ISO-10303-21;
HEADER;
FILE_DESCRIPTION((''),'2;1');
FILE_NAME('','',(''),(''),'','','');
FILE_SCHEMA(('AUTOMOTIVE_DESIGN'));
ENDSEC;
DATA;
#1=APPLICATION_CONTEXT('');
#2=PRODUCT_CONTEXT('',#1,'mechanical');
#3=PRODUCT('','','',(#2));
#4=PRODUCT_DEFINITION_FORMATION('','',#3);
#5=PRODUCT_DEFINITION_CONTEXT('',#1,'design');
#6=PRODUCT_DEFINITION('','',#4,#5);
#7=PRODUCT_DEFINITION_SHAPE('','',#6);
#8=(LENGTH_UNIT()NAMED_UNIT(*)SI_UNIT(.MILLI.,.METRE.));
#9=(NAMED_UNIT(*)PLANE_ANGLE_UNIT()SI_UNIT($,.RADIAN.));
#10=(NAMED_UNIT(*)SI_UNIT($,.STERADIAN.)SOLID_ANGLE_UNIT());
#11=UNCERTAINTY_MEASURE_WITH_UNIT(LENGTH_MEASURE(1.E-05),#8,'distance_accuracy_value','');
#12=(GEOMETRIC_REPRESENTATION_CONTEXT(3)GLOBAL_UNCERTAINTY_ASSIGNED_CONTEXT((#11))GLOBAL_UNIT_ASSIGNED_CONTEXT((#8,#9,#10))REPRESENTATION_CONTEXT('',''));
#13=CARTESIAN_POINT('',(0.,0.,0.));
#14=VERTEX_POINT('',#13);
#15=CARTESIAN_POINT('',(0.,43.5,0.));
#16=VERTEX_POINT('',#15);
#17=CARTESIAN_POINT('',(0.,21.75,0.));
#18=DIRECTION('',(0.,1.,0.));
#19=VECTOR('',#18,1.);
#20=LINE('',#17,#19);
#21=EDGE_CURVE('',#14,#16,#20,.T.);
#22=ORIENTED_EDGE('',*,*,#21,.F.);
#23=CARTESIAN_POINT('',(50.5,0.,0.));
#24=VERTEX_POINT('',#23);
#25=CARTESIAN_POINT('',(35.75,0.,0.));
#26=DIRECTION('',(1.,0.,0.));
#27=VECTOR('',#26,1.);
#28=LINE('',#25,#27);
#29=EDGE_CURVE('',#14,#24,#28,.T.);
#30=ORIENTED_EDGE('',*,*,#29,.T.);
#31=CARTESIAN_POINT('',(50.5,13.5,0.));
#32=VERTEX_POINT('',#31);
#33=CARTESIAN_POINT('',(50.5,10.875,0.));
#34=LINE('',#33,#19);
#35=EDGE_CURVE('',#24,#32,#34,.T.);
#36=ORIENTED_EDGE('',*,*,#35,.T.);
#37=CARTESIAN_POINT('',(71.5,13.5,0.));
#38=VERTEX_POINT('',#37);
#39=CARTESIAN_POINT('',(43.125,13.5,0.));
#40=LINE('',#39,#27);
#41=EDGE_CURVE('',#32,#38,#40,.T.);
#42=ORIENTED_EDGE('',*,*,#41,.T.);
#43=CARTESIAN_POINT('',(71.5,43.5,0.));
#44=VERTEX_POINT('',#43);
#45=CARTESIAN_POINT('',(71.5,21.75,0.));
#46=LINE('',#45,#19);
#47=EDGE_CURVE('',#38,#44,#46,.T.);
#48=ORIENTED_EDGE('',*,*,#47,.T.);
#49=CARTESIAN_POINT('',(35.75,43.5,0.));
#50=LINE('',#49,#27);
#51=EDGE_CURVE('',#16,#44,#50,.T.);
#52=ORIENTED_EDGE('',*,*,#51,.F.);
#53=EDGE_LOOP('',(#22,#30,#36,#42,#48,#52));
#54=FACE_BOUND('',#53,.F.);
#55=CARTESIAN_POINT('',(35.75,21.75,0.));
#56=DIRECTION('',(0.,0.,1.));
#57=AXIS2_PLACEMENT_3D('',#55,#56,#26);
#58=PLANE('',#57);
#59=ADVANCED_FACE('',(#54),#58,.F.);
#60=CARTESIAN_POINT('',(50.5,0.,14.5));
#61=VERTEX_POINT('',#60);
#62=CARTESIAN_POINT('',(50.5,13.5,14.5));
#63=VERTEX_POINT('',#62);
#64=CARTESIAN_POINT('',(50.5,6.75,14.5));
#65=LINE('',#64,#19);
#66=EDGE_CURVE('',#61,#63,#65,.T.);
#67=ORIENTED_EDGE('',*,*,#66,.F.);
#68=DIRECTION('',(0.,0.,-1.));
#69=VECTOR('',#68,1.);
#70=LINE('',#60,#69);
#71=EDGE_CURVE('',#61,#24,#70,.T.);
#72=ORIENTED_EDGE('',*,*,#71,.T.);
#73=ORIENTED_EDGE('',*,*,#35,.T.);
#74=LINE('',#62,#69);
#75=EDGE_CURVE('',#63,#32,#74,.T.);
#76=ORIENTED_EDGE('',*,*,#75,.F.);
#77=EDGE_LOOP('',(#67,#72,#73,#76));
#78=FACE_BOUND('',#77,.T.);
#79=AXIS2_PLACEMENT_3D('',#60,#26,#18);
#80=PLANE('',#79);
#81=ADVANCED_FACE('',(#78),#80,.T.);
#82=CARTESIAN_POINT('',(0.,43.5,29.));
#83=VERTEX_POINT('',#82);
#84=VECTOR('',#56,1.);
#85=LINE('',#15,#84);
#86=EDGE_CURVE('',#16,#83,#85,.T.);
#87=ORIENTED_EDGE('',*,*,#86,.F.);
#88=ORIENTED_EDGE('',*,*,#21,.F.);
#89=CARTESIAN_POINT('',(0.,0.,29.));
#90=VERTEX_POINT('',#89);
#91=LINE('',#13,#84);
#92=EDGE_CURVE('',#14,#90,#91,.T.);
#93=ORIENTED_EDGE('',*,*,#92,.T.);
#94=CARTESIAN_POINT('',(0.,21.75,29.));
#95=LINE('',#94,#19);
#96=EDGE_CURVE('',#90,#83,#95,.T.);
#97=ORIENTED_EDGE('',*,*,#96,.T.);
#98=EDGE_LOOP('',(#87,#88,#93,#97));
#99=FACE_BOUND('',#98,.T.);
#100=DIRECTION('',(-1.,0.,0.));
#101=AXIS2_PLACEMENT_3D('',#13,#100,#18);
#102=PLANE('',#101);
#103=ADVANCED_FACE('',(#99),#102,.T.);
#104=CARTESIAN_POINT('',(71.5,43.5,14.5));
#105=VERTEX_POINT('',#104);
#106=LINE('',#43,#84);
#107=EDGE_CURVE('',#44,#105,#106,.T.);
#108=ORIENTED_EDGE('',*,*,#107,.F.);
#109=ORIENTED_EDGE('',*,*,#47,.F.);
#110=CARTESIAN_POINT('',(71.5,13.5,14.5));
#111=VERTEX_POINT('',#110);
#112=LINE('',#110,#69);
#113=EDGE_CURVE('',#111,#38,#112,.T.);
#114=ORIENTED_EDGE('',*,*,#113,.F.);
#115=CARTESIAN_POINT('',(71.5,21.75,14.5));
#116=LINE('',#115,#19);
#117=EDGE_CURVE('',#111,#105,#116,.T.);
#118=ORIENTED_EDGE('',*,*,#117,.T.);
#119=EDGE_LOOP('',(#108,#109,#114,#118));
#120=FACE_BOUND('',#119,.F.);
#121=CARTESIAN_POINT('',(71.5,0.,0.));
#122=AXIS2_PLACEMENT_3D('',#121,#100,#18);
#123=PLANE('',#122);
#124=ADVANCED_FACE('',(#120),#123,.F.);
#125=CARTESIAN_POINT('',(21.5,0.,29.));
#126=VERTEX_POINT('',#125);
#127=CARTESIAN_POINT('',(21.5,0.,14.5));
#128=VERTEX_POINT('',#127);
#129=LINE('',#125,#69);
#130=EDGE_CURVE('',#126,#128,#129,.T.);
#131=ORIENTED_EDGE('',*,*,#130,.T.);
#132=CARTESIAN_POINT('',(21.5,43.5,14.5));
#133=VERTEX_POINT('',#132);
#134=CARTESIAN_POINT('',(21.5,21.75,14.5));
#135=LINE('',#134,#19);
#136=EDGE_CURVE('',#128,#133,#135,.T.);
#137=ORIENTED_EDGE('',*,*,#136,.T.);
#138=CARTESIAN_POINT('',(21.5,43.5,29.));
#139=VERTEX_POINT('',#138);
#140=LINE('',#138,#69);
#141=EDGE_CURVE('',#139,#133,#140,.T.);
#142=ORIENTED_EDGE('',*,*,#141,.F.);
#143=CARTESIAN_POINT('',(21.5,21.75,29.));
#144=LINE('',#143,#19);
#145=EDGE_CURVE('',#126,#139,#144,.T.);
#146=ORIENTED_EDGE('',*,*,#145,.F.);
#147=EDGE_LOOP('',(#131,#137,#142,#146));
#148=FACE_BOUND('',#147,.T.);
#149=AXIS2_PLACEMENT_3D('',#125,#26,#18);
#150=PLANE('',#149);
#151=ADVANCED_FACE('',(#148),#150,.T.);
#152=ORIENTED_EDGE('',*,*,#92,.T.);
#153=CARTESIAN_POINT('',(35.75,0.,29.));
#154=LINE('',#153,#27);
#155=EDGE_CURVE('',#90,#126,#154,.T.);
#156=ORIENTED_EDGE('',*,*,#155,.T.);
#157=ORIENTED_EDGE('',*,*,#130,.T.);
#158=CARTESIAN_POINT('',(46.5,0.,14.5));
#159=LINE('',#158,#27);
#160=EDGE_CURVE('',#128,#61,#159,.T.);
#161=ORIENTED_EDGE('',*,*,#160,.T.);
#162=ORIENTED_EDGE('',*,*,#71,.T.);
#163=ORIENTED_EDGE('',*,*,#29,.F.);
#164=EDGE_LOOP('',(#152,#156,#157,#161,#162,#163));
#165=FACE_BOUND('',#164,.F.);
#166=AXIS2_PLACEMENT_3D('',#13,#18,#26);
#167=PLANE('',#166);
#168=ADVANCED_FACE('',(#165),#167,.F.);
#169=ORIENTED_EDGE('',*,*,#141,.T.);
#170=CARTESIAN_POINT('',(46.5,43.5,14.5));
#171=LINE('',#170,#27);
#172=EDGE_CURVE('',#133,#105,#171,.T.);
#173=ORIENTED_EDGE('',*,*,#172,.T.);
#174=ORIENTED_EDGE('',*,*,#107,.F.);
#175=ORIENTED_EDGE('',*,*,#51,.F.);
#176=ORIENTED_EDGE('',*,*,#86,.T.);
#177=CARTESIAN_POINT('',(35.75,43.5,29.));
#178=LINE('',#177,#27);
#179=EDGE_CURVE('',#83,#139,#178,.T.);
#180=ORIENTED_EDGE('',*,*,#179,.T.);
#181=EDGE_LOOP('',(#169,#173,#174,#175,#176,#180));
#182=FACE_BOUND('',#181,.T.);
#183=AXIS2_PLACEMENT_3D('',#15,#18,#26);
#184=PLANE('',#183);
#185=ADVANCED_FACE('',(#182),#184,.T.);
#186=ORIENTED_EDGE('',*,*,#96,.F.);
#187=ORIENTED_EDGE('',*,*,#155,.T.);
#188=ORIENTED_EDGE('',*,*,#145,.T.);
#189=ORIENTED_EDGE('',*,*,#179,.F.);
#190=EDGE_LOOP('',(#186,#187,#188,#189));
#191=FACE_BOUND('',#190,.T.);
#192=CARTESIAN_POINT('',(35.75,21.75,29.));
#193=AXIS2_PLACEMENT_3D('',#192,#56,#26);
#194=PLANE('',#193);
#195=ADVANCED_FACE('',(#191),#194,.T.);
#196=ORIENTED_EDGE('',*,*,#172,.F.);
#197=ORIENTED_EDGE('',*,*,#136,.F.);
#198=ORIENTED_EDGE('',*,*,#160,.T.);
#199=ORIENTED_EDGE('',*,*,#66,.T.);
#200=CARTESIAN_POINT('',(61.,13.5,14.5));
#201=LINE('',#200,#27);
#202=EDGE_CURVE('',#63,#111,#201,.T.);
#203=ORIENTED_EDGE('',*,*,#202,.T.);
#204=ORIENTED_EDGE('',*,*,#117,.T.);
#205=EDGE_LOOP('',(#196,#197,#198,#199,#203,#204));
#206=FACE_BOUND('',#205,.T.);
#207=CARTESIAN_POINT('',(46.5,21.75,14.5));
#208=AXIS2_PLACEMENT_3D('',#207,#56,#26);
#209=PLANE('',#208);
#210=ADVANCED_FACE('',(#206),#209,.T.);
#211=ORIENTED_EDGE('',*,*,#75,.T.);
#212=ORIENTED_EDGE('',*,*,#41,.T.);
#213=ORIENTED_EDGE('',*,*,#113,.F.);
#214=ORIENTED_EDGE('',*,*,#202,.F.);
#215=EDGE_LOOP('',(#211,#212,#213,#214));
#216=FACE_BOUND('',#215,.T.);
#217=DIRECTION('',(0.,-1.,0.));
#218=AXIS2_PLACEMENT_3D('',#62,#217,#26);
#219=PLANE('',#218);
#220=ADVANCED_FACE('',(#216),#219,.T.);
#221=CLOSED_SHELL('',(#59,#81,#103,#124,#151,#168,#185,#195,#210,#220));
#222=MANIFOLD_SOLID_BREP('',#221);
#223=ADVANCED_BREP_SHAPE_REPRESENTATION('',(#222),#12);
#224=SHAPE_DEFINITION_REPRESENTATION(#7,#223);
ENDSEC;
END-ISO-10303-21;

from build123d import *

# Parameters (mm, degrees)
F0_W     = 71.5
F0_H     = 43.5
F1_DEPTH = 29
F2_W     = 50
F2_H     = 43.5
F3_DEPTH = 14.5
F4_W     = 21
F4_H     = 13.5
F5_DEPTH = 14.501


with BuildPart() as f1:
    # F0 (on Top) → F1 (new body)
    with BuildSketch(Plane.XY):
        with Locations((35.75, 21.75)):
            Rectangle(F0_W, F0_H)
    extrude(amount=F1_DEPTH)

    # F2 (on face) → F3 (cut)
    with BuildSketch(Plane.XY.offset(29)):
        with Locations((46.5, 21.75)):
            Rectangle(F2_W, F2_H)
    extrude(amount=-F3_DEPTH, mode=Mode.SUBTRACT)

    # F4 (on face) → F5 (cut, through all)
    with BuildSketch(Plane.XY.offset(14.5)):
        with Locations((61, 6.75)):
            Rectangle(F4_W, F4_H)
    extrude(amount=-F5_DEPTH, mode=Mode.SUBTRACT)


solid = f1.part
